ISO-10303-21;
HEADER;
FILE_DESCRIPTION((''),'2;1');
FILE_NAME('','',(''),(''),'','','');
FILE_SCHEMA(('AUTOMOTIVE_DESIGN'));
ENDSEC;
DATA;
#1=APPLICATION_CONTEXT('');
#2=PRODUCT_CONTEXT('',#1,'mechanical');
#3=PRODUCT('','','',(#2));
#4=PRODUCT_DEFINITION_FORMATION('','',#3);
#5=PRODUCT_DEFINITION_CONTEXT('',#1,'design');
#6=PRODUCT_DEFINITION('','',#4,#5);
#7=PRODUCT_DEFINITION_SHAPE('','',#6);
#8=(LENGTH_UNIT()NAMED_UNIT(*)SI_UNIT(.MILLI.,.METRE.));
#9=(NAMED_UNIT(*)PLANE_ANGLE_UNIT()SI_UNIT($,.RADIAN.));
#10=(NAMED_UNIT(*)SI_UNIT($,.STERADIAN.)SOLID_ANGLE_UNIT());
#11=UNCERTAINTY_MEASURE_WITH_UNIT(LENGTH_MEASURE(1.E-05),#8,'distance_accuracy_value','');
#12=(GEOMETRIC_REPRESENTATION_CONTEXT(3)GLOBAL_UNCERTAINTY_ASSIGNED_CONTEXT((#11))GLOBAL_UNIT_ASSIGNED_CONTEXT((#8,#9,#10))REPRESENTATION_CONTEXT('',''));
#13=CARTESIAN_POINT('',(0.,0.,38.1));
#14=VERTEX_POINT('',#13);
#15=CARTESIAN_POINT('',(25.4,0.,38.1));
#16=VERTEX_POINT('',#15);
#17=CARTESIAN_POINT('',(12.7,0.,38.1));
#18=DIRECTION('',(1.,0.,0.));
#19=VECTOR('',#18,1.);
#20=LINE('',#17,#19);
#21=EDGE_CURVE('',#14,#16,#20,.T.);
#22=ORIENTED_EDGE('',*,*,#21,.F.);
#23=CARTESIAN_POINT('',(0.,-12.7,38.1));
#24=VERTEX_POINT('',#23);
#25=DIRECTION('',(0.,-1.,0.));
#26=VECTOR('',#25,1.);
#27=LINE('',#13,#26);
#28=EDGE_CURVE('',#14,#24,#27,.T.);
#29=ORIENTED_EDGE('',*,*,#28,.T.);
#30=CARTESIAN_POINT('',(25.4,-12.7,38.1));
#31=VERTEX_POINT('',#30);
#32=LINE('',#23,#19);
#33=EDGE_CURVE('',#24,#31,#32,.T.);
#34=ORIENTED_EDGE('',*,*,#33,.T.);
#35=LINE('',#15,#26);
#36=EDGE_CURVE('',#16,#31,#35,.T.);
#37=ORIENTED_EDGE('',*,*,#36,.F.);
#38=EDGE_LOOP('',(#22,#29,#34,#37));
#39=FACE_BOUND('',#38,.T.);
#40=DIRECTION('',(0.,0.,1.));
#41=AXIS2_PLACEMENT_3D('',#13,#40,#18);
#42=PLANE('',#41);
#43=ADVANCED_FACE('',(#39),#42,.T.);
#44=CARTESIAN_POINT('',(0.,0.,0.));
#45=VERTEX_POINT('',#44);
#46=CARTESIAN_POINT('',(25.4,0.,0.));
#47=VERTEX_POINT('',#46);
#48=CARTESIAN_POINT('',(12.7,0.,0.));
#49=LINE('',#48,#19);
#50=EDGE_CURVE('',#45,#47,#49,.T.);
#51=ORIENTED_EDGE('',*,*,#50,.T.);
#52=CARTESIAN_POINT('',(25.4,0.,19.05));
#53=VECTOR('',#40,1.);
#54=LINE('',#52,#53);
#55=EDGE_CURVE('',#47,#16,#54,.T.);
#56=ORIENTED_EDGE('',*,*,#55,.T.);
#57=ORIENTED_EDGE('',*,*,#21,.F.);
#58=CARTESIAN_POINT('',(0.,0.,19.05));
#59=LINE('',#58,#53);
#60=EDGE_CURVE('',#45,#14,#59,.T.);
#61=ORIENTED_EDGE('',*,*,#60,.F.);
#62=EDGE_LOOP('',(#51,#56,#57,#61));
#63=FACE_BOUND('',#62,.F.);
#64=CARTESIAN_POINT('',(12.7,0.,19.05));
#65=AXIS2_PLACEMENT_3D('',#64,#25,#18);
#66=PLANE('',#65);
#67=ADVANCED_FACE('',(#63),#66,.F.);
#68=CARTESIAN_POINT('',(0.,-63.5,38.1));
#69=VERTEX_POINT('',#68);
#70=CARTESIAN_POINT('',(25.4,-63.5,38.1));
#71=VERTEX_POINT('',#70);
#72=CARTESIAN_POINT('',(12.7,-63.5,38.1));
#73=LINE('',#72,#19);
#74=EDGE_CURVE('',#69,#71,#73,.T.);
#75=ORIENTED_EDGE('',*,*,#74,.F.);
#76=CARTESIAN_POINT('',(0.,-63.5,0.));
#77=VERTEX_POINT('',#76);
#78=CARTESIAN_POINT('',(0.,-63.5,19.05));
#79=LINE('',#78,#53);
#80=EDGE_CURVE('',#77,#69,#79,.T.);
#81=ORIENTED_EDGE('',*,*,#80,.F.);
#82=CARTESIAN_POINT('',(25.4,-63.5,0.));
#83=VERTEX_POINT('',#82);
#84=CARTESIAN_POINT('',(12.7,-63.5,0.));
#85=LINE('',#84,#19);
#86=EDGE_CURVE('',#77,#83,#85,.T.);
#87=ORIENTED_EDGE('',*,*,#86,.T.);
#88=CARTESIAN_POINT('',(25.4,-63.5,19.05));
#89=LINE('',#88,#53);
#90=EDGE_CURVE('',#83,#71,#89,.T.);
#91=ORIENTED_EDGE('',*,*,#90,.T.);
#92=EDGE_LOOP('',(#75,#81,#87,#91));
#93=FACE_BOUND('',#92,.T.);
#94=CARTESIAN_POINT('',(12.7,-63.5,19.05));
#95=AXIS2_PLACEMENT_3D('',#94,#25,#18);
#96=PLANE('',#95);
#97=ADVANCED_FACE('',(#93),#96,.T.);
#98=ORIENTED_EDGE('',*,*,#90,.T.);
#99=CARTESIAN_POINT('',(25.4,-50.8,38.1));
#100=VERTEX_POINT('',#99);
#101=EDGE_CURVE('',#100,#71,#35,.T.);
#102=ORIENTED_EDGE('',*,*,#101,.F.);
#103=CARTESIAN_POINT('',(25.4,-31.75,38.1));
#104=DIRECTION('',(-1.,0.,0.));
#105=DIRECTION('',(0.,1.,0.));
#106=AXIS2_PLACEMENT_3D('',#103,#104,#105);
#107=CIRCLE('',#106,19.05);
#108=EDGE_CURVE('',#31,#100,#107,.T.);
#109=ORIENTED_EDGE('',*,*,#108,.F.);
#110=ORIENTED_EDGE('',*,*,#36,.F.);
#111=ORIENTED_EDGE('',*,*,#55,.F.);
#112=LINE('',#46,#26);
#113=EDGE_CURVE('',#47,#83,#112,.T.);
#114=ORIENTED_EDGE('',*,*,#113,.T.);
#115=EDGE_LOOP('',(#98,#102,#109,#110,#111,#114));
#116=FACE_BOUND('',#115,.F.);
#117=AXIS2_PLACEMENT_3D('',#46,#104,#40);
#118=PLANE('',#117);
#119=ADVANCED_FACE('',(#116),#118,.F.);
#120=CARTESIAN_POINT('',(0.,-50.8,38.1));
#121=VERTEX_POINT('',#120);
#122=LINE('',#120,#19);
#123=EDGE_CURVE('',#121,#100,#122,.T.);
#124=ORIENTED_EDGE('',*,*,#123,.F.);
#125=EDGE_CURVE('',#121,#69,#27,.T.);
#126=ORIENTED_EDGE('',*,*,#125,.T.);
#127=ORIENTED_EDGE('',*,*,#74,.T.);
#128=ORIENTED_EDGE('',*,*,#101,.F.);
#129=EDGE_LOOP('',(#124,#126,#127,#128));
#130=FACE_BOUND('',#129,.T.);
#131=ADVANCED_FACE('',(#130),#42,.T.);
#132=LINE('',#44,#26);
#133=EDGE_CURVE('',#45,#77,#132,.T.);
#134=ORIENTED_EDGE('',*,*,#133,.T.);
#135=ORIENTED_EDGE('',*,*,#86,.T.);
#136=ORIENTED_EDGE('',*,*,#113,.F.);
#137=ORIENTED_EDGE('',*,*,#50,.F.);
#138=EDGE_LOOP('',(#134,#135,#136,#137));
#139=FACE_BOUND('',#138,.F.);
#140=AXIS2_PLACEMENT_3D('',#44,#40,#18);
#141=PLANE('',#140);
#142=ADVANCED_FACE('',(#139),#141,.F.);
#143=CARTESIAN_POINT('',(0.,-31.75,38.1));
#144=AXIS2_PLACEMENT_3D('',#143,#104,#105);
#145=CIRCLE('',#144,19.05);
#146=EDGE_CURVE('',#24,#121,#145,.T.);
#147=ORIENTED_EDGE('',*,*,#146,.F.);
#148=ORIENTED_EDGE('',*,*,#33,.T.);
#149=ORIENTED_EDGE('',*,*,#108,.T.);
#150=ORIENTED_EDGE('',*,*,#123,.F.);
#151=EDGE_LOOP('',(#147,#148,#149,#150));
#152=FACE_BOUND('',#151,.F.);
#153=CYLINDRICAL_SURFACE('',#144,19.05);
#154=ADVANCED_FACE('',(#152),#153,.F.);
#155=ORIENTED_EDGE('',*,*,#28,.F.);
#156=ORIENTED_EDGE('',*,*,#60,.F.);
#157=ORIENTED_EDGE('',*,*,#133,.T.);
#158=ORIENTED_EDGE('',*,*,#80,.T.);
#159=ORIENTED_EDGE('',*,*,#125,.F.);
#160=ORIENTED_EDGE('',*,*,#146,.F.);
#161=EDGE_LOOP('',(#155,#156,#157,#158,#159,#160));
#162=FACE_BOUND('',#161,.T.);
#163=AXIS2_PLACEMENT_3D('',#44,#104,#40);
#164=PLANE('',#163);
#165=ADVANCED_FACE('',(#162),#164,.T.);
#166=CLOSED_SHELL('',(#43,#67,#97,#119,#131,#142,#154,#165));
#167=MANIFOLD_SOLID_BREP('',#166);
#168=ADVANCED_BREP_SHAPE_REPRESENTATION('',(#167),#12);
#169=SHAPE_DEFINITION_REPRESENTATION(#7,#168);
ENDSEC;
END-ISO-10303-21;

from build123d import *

# Parameters (mm, degrees)
F0_W     = 25.4
F0_H     = 38.1
F1_DEPTH = 63.5
F3_DEPTH = 25.4


with BuildPart() as f1:
    # F0 (on Front) → F1 (new body)
    with BuildSketch(Plane.XZ):
        with Locations((12.7, 19.05)):
            Rectangle(F0_W, F0_H)
    extrude(amount=F1_DEPTH)

    # F2 (on face) → F3 (cut)
    with BuildSketch(Plane(origin=(0, 0, 0), x_dir=(0, -1, 0), z_dir=(-1, 0, 0))):
        with BuildLine():
            ThreePointArc((12.7, 38.1), (31.75, 19.05), (50.8, 38.1))
            Line((50.8, 38.1), (12.7, 38.1))
        make_face()
    extrude(amount=-F3_DEPTH, mode=Mode.SUBTRACT)


solid = f1.part
